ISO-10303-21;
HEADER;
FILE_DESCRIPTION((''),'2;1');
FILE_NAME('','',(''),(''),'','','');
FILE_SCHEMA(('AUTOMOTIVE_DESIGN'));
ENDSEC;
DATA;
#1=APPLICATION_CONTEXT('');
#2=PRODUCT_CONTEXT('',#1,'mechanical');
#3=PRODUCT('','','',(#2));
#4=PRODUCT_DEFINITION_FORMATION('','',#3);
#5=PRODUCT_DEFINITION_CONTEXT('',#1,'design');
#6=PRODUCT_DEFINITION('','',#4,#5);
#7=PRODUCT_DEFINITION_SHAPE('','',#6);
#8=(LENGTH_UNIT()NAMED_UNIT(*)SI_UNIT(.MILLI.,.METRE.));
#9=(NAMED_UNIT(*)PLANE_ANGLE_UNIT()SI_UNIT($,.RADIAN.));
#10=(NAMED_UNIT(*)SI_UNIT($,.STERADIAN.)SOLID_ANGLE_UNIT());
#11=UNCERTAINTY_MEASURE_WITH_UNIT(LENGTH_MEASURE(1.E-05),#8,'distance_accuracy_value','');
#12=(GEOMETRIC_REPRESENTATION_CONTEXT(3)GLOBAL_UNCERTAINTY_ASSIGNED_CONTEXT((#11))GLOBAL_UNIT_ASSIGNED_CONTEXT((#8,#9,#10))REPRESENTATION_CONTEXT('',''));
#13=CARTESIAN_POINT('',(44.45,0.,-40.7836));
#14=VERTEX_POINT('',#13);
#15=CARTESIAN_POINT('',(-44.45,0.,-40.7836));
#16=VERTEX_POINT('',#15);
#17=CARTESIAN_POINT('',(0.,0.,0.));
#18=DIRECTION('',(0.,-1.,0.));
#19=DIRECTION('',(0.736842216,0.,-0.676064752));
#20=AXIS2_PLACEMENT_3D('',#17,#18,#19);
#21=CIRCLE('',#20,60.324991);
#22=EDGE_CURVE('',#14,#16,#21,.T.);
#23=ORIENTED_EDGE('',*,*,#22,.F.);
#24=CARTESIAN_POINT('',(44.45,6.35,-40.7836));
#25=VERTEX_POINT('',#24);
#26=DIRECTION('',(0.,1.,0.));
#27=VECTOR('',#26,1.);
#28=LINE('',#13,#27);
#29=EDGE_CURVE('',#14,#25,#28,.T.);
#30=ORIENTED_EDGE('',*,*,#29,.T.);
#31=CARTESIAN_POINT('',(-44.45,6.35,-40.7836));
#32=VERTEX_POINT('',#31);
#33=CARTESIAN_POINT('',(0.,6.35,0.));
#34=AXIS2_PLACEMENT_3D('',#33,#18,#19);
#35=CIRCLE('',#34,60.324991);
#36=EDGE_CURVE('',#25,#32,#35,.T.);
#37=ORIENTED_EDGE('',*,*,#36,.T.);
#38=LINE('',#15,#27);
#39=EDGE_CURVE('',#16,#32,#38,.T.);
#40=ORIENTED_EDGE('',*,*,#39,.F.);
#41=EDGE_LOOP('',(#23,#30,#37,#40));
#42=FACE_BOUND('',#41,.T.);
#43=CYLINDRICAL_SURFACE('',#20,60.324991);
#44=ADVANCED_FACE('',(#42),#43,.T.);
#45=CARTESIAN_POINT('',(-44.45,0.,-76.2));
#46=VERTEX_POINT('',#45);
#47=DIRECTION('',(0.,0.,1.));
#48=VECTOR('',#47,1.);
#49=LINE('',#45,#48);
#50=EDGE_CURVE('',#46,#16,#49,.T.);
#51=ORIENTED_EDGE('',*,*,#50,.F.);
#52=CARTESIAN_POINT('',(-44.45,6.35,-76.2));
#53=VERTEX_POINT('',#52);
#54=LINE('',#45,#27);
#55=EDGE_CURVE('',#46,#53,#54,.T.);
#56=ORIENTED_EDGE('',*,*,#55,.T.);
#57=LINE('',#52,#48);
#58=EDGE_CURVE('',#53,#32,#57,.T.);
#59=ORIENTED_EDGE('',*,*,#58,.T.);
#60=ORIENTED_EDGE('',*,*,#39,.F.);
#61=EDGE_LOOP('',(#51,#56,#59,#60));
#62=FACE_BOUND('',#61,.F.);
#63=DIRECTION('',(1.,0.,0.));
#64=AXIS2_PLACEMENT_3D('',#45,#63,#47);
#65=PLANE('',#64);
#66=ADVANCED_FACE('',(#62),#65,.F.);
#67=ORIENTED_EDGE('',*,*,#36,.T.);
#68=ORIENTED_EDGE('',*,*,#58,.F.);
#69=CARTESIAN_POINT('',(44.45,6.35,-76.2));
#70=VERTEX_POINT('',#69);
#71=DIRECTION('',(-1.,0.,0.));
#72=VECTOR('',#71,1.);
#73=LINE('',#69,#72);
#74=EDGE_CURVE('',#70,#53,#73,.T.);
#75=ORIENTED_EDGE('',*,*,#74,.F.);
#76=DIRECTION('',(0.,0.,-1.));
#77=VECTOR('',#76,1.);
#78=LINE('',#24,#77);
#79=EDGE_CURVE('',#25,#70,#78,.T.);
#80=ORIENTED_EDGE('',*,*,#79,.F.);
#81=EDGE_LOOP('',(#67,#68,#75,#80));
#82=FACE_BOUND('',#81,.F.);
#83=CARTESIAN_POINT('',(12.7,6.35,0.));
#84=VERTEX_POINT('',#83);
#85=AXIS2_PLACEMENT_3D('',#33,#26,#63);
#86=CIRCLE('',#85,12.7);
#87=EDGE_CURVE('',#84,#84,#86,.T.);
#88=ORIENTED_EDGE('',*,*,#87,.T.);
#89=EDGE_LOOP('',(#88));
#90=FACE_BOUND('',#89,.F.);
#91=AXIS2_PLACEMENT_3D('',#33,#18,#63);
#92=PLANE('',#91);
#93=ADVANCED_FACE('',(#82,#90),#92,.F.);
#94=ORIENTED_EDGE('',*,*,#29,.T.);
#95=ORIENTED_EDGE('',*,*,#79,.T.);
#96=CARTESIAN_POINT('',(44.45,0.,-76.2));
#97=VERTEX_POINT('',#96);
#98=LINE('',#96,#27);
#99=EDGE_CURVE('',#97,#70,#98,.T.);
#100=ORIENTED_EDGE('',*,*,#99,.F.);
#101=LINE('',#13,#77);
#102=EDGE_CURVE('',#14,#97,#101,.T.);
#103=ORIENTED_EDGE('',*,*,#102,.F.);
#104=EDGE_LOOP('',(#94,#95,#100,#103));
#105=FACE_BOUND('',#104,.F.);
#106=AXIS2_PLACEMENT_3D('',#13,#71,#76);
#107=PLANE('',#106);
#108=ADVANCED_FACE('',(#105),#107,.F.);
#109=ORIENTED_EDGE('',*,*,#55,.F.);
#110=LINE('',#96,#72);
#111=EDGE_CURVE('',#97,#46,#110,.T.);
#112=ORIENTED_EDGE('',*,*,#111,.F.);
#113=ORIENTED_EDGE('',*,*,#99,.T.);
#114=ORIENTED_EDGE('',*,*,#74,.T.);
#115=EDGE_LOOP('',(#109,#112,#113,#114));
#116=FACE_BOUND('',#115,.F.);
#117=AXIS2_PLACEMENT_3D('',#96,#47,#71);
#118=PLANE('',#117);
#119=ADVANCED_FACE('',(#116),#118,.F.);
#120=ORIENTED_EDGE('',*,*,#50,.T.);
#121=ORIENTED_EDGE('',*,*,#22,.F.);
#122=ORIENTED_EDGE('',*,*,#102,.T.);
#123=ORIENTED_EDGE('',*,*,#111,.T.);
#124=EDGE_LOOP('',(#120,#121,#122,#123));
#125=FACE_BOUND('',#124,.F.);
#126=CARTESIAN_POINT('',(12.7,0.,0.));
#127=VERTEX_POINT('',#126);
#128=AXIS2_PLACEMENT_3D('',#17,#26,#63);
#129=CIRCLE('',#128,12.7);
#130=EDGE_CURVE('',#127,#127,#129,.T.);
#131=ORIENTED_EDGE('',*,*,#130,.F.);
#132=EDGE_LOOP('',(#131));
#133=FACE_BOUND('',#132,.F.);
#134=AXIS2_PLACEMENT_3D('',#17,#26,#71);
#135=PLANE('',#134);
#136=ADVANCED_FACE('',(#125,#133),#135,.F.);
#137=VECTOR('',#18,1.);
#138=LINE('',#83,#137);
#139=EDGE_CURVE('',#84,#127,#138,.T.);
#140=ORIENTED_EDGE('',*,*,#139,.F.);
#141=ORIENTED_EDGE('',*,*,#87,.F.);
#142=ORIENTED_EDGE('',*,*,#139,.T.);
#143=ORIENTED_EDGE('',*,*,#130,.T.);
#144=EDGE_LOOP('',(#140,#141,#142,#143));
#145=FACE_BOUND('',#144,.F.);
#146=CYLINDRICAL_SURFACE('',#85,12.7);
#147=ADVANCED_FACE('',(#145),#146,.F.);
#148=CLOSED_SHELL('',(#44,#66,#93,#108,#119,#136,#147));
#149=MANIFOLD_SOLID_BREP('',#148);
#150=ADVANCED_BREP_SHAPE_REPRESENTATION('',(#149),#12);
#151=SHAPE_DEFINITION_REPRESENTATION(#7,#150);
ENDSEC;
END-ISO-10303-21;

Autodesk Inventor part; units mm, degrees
ref_plane "YZ Plane" through (0, 0, 0) normal (1, 0, 0) x (0, 1, 0)
ref_plane "XZ Plane" through (0, 0, 0) normal (0, 1, 0) x (-1, 0, 0)
ref_plane "XY Plane" through (0, 0, 0) normal (0, 0, 1) x (1, 0, 0)
sketch "Sketch1" plane through (0, 0, 0) normal (0, 1, 0) x (-1, 0, 0)
  arc A0 (38.1, -38.2321) -> (-38.1, -38.2321) centre (0, 0) ccw
  line L0 (0, 0) -> (0, -72.7817) construction
  line L1 (-38.1, -38.2321) -> (-38.1, -69.85)
  line L2 (-38.1, -69.85) -> (0, -69.85)
  line L3 (0, -69.85) -> (38.1, -69.85)
  line L4 (38.1, -69.85) -> (38.1, -38.2321)
  dimension "d0" = 107.95
  dimension "d6" = 69.85
  dimension "d7" = 38.1
extrude "Extrusion1" add sketch "Sketch1" along normal blind 6.35
sketch "Sketch3" plane through (0, 0, 0) normal (0, -1, 0) x (1, 0, 0)
  arc A0 (38.1, -38.2321) -> (-38.1, -38.2321) centre (0, 0) ccw projected
  line L0 (38.1, -38.2321) -> (38.1, -69.85) projected
  line L1 (38.1, -69.85) -> (-38.1, -69.85) projected
  line L2 (-38.1, -69.85) -> (-38.1, -38.2321) projected
  arc A1 (38.1, -38.2321) -> (-38.1, -38.2321) centre (0, 0) ccw
  line L3 (38.1, -38.2321) -> (38.1, -69.85) projected
  line L4 (38.1, -38.2321) -> (38.1, -69.85)
  line L5 (38.1, -69.85) -> (-38.1, -69.85)
  line L6 (-38.1, -69.85) -> (-38.1, -38.2321) projected
  line L7 (-38.1, -69.85) -> (-38.1, -38.2321)
  arc A2 (44.45, -40.7836) -> (-44.45, -40.7836) centre (0, 0) ccw
  line L8 (44.45, -40.7836) -> (44.45, -76.2)
  line L9 (44.45, -76.2) -> (-44.45, -76.2)
  line L10 (-44.45, -76.2) -> (-44.45, -40.7836)
  dimension "d8" = 6.35
  dimension "d9" = 6.35
  dimension "d10" = 6.35
  dimension "d11" = 6.35
extrude "Extrusion4" add sketch "Sketch3" against normal blind 6.35
sketch "Sketch5" plane through (0, 6.35, 0) normal (0, 1, 0) x (1, 0, 0)
  circle A0 centre (0, 0) radius 12.7
  dimension "d24" = 25.4
extrude "Extrusion7" cut sketch "Sketch5" against normal through all
equation "\"d0\" = exteriorDiameter"
equation "\"exteriorDiameter\" = 107.95"
properties part number "baseSupportCover"
